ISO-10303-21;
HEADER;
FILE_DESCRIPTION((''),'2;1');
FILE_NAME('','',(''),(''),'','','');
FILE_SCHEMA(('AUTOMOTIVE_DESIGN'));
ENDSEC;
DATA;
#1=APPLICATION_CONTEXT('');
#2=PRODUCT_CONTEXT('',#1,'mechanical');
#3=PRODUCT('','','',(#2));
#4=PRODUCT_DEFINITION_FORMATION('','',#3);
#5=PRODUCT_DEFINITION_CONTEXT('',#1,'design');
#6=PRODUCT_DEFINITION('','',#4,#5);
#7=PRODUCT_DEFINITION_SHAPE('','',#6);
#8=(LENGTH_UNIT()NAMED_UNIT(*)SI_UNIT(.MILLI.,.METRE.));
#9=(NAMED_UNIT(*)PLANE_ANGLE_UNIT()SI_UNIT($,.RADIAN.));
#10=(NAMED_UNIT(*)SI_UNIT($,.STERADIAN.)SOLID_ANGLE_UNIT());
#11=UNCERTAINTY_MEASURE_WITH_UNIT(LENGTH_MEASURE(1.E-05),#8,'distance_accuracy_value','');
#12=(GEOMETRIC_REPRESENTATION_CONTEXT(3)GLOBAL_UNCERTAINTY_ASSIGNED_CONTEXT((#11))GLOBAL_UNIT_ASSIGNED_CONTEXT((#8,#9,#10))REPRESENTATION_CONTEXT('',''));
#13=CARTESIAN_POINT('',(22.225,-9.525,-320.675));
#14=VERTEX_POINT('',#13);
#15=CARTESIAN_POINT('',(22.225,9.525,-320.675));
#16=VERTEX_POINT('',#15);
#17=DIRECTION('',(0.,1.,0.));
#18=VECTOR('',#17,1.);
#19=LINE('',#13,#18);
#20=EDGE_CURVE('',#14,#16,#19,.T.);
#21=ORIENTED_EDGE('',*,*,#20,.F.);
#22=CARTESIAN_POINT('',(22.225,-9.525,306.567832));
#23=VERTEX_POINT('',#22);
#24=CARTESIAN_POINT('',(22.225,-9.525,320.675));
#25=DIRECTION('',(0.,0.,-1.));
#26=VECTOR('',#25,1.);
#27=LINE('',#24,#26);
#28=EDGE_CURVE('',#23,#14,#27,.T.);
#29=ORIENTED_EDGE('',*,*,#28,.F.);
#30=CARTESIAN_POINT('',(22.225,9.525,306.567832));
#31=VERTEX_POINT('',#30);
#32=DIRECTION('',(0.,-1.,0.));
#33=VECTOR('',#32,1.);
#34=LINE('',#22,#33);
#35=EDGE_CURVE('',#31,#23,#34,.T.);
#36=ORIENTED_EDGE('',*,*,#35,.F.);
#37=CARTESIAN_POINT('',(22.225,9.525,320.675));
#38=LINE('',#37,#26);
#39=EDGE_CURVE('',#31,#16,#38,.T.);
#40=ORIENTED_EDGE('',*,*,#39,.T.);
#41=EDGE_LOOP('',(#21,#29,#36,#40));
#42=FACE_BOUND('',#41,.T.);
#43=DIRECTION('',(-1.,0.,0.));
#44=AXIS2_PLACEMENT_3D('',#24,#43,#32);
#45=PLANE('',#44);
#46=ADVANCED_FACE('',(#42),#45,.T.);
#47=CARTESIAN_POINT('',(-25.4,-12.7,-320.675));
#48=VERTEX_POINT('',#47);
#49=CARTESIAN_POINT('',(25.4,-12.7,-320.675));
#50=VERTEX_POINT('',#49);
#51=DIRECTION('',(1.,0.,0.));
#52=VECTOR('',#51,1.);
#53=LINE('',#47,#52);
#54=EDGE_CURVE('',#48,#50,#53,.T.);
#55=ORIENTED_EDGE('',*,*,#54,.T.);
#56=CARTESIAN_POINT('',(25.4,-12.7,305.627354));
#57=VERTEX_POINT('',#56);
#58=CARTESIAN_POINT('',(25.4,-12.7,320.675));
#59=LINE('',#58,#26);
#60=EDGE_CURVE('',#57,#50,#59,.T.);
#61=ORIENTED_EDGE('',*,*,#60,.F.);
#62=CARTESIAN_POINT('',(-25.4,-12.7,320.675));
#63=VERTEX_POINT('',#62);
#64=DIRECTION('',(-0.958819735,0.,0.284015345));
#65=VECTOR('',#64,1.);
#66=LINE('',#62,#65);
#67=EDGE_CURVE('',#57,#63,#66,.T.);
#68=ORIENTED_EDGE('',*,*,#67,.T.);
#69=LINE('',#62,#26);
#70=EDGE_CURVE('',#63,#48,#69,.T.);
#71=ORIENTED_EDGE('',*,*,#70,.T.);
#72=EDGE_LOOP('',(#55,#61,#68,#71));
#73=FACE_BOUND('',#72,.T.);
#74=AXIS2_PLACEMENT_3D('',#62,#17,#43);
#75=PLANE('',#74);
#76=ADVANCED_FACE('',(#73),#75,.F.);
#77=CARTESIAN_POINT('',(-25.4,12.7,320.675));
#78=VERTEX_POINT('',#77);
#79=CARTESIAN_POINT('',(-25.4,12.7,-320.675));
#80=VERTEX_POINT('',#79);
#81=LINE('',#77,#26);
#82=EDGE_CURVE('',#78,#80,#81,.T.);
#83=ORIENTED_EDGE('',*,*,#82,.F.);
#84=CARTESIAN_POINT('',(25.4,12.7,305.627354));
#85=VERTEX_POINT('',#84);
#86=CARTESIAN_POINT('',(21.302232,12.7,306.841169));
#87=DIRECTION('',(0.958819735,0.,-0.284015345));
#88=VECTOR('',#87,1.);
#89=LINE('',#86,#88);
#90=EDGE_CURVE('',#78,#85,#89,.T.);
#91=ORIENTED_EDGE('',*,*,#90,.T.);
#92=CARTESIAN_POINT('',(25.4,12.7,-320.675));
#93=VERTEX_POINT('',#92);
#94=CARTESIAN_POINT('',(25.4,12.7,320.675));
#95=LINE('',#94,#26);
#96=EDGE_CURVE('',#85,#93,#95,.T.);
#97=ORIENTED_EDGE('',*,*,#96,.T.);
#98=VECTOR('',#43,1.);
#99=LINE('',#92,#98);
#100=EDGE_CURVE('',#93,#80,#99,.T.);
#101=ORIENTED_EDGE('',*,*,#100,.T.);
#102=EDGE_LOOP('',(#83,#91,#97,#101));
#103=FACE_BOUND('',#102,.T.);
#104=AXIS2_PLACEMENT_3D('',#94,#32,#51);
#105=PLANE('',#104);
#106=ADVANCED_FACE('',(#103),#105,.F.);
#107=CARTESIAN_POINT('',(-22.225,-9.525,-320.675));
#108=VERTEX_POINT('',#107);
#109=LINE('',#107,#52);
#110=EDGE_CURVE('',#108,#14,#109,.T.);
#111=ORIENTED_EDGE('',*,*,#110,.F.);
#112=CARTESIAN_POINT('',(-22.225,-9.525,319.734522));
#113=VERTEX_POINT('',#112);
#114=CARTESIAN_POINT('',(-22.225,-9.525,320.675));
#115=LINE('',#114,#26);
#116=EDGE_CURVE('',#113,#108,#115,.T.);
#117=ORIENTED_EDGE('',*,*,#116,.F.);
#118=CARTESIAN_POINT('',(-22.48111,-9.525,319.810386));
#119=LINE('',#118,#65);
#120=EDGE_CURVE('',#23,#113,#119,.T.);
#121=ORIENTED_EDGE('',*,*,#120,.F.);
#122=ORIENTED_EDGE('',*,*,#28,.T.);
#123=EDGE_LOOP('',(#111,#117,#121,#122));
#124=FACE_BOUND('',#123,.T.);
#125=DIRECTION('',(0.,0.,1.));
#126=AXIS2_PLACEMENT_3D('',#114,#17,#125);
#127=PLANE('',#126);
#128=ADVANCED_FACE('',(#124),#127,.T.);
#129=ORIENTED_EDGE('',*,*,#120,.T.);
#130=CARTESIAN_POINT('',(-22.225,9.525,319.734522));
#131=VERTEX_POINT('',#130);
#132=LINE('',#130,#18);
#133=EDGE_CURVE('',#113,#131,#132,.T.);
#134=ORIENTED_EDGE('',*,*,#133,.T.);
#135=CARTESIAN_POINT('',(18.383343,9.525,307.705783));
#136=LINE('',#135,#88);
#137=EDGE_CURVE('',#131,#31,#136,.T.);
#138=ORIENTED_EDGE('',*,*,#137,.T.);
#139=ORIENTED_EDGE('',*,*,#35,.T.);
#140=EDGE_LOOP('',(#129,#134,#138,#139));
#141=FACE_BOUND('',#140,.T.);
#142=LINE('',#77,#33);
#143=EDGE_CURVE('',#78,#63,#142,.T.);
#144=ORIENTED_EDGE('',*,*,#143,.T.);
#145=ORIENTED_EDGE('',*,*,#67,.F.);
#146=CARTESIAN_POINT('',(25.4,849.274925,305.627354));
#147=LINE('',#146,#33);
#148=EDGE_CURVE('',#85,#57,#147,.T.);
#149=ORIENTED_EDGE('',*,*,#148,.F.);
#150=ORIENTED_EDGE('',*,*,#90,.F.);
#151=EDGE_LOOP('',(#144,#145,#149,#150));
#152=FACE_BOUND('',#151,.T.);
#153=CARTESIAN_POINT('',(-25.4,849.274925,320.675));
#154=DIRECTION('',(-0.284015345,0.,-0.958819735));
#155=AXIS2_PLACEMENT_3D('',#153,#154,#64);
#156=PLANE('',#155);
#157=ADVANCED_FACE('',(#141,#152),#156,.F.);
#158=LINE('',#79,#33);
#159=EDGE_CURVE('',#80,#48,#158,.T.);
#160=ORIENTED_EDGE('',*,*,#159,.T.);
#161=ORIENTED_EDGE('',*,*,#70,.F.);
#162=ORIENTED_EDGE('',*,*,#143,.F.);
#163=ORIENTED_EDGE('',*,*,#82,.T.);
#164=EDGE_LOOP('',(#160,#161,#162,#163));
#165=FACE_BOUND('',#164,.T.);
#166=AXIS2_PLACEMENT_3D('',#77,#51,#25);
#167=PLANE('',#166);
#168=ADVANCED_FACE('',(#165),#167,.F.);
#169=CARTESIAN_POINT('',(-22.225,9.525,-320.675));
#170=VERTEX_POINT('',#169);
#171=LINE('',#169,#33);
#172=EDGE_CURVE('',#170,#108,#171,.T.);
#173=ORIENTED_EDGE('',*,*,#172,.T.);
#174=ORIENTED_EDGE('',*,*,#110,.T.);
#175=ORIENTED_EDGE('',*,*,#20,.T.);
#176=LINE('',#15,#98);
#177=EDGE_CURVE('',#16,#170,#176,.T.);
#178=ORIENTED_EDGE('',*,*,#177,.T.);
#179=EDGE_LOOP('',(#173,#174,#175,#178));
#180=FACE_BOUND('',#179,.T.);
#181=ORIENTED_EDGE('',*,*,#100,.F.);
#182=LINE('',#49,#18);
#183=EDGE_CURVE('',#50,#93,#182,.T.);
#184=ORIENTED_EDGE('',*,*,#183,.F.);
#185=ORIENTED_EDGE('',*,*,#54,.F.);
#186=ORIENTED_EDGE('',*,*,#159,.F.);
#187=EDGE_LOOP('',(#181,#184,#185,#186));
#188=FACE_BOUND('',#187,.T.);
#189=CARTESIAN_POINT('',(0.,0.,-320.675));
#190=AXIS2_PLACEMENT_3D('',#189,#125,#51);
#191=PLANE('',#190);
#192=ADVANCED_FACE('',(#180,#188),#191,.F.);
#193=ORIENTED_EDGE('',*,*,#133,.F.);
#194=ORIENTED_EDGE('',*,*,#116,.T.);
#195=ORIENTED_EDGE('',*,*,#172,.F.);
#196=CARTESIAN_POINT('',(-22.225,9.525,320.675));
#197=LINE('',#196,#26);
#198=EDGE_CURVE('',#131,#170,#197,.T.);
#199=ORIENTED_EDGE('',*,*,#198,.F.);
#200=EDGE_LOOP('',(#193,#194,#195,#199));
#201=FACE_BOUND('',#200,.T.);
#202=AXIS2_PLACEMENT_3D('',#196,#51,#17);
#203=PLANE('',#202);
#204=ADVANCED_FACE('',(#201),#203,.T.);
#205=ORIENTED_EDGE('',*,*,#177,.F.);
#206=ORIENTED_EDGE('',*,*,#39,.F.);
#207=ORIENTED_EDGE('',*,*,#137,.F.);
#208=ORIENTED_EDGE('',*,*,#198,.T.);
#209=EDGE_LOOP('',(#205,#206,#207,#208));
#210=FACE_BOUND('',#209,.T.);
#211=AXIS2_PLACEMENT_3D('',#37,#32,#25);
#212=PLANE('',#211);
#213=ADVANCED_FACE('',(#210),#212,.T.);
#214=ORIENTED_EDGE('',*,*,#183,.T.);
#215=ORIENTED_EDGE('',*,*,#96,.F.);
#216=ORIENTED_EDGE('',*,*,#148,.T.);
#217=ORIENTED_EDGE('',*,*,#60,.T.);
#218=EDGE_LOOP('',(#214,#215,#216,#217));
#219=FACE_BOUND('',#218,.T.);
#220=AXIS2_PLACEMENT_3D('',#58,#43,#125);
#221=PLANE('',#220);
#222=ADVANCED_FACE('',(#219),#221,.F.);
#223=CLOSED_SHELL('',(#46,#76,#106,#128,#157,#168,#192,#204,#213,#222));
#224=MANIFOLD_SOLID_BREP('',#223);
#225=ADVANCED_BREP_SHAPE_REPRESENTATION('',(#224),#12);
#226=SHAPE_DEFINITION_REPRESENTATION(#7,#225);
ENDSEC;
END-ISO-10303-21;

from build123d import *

# Parameters (mm, degrees)
BOSS_EXTRUDE1_DEPTH      = 320.675
BOSS_EXTRUDE1_DEPTH_BACK = 320.675
SKETCH3_W                = 50.8
SKETCH3_H                = 25.4
SKETCH3_W_2              = 44.45
SKETCH3_H_2              = 19.05
CUT_EXTRUDE1_DEPTH       = 323.680609311
CUT_EXTRUDE1_DEPTH_BACK  = 323.680609311


with BuildPart() as part:
    # Sketch3 → Boss-Extrude1 (new, two sides: drawn at the far end of the back side and taken through both)
    with BuildSketch(Plane.XY.offset(-BOSS_EXTRUDE1_DEPTH_BACK)):
        Rectangle(SKETCH3_W, SKETCH3_H)
        Rectangle(SKETCH3_W_2, SKETCH3_H_2, mode=Mode.SUBTRACT)
    extrude(amount=BOSS_EXTRUDE1_DEPTH + BOSS_EXTRUDE1_DEPTH_BACK)

    # Sketch4 → Cut-Extrude1 (cut, two sides: drawn at the far end of the back side and taken through both)
    with BuildSketch(Plane(origin=(0, 12.7, 0), x_dir=(1, 0, 0), z_dir=(0, 1, 0)).offset(-CUT_EXTRUDE1_DEPTH_BACK)):
        Polygon((1322.117470931, -320.675), (25.4, -320.675), (-25.4, -320.675), (25.4, -305.627354456), (1268.718301677, 62.660305034), (3837.350959621, 420.474595165), (3890.750128875, 37.139290131), align=None)
    extrude(amount=CUT_EXTRUDE1_DEPTH + CUT_EXTRUDE1_DEPTH_BACK, mode=Mode.SUBTRACT)


solid = part.part
